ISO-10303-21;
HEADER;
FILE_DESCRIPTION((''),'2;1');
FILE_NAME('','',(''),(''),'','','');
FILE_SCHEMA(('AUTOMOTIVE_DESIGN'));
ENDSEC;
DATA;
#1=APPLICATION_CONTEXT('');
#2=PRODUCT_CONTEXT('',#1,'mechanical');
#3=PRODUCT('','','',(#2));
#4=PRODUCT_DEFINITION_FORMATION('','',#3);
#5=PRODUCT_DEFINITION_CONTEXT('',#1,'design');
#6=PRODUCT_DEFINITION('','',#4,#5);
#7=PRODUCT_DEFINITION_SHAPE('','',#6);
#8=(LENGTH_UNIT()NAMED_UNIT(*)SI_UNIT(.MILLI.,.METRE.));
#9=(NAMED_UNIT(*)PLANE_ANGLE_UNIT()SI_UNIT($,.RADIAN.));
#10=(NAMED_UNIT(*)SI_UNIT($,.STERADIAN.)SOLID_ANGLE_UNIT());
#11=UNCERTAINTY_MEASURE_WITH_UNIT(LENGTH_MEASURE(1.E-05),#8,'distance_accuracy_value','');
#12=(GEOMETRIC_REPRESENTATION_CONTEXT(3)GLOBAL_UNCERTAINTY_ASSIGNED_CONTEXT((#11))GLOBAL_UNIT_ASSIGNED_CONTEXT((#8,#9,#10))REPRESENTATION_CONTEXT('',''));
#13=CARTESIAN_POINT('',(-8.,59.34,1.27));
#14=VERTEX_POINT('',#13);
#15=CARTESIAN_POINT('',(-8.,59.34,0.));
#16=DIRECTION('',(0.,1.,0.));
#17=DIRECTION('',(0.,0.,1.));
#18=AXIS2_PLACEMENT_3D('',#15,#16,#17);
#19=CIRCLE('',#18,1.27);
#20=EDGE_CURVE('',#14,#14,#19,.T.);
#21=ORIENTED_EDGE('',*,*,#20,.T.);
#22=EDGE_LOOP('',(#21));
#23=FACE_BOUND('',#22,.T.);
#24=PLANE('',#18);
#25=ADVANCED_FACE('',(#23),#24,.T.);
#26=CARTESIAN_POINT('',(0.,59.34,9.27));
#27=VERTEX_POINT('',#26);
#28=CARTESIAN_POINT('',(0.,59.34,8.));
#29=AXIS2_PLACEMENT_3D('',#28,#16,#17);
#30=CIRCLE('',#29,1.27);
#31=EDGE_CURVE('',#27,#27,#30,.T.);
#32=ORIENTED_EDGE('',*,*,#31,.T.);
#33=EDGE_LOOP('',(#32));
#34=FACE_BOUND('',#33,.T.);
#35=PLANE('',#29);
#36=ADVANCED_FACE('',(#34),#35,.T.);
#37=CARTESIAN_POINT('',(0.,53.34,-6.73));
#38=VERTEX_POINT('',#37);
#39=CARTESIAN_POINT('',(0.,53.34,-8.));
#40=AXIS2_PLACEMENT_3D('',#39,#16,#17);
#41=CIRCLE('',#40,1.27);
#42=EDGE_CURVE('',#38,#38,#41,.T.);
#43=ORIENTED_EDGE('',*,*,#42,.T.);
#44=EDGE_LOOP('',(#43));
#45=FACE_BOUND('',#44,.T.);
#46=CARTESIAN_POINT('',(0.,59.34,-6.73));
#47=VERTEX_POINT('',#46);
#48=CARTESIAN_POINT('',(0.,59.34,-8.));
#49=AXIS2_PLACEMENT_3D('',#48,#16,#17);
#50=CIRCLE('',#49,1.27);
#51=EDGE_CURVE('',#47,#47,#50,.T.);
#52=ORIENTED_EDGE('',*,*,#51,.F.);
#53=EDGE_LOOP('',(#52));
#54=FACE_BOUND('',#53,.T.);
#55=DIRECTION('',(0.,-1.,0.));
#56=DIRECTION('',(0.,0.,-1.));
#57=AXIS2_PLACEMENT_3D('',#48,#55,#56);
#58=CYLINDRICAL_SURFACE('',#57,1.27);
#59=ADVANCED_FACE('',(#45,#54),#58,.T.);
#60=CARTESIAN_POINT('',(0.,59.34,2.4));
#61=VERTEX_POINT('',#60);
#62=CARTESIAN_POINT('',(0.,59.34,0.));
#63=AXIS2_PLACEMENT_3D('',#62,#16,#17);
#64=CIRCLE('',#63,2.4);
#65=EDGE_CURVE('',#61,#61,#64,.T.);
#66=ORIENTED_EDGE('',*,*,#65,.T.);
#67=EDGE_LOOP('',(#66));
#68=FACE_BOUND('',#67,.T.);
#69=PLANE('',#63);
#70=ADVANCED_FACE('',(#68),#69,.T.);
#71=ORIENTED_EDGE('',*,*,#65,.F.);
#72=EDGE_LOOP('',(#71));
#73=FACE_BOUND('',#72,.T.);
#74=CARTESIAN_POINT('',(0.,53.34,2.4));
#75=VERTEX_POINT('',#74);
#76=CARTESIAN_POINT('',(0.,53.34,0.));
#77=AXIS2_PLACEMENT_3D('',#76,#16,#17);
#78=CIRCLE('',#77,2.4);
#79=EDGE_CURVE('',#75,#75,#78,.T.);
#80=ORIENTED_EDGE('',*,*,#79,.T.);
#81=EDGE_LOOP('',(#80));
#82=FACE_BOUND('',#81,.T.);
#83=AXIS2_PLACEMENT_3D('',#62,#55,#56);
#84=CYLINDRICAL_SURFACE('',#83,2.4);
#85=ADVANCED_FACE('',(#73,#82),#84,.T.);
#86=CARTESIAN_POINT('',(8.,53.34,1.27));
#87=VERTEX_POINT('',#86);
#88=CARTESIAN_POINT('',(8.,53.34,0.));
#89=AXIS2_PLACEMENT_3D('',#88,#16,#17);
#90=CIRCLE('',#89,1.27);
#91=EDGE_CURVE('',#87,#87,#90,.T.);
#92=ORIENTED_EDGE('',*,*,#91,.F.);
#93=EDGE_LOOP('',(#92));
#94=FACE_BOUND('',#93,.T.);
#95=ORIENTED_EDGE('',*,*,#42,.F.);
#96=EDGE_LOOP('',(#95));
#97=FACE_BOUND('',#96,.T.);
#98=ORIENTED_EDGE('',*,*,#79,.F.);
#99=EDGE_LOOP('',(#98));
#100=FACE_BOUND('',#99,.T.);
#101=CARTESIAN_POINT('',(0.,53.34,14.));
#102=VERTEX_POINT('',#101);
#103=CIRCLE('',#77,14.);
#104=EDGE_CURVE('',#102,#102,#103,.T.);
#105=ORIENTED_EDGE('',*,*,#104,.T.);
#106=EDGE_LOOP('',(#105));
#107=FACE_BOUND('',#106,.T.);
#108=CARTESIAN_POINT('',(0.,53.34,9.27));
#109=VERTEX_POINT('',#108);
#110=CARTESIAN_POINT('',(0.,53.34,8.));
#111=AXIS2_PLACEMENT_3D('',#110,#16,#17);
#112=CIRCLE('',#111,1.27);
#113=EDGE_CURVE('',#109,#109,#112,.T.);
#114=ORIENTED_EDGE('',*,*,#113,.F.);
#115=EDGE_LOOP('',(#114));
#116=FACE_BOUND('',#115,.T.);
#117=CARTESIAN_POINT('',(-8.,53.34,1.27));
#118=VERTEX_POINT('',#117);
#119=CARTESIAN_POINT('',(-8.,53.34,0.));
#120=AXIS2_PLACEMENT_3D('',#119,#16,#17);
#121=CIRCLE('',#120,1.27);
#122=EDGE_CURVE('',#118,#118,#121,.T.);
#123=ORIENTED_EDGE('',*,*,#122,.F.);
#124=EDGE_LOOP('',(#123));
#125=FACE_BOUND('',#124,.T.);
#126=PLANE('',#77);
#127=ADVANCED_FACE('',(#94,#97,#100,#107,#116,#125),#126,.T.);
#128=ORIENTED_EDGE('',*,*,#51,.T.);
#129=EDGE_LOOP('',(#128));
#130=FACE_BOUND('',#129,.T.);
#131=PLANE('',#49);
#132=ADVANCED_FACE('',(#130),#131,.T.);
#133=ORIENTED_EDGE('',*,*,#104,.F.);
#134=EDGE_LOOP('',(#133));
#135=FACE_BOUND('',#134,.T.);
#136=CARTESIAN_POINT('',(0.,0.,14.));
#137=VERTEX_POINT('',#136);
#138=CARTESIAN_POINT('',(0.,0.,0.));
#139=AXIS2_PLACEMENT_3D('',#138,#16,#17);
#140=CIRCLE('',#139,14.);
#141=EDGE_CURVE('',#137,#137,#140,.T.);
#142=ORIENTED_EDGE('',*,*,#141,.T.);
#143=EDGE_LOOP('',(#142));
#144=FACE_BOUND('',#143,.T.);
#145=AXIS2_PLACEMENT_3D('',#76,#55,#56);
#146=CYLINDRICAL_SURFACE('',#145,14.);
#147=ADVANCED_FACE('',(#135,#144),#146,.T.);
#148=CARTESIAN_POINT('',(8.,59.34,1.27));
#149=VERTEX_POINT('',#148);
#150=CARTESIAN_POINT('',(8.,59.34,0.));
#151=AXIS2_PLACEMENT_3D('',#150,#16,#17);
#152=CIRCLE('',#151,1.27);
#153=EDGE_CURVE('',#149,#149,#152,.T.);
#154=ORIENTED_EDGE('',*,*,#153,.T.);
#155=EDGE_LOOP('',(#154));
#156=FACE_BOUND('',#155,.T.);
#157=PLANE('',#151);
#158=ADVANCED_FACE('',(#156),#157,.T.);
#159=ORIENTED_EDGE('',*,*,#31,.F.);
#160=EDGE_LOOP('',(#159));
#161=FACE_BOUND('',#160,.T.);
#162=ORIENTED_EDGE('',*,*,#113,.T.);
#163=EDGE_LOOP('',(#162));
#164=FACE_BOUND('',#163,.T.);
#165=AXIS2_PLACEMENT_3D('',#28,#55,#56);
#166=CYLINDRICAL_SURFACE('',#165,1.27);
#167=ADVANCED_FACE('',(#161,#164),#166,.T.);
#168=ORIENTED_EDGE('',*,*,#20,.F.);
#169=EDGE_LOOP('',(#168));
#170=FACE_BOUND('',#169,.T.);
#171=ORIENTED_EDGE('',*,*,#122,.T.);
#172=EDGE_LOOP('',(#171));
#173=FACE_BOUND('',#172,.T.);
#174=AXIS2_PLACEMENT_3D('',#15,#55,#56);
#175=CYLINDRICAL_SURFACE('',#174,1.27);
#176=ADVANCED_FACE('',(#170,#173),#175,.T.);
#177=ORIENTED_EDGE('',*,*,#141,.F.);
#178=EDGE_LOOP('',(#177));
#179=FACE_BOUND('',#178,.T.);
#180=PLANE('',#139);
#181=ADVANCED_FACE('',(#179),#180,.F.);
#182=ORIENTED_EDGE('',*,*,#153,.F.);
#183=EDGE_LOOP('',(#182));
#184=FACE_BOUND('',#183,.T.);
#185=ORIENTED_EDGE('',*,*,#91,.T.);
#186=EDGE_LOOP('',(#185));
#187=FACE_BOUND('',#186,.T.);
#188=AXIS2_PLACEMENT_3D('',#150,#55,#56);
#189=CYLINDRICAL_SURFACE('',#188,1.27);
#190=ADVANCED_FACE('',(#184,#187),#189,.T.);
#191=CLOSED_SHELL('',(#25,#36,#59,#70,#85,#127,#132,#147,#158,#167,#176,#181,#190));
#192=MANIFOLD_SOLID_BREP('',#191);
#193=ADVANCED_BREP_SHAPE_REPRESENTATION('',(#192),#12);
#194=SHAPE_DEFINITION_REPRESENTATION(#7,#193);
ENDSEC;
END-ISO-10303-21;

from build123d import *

# Parameters (mm, degrees)
SKETCH1_R           = 14
BOSS_EXTRUDE1_DEPTH = 53.34
SKETCH2_R           = 2.4
SKETCH2_R_2         = 1.27
BOSS_EXTRUDE2_DEPTH = 6


with BuildPart() as part:
    # Sketch1 → Boss-Extrude1 (new body)
    with BuildSketch(Plane(origin=(0, 0, 0), x_dir=(1, 0, 0), z_dir=(0, 1, 0))):
        with Locations(Location((0, 0, 0), (0, 0, 270))):
            Circle(SKETCH1_R)
    extrude(amount=BOSS_EXTRUDE1_DEPTH)

    # Sketch2 → Boss-Extrude2 (add)
    with BuildSketch(Plane(origin=(0, 53.34, 0), x_dir=(1, 0, 0), z_dir=(0, 1, 0))):
        with Locations(Location((0, 0, 0), (0, 0, 270))):
            Circle(SKETCH2_R)
        with Locations(Location((8, 0, 0), (0, 0, 270))):
            Circle(SKETCH2_R_2)
        with Locations(Location((0, -8, 0), (0, 0, 270))):
            Circle(SKETCH2_R_2)
        with Locations(Location((-8, 0, 0), (0, 0, 270))):
            Circle(SKETCH2_R_2)
        with Locations(Location((0, 8, 0), (0, 0, 270))):
            Circle(SKETCH2_R_2)
    extrude(amount=BOSS_EXTRUDE2_DEPTH)


solid = part.part
